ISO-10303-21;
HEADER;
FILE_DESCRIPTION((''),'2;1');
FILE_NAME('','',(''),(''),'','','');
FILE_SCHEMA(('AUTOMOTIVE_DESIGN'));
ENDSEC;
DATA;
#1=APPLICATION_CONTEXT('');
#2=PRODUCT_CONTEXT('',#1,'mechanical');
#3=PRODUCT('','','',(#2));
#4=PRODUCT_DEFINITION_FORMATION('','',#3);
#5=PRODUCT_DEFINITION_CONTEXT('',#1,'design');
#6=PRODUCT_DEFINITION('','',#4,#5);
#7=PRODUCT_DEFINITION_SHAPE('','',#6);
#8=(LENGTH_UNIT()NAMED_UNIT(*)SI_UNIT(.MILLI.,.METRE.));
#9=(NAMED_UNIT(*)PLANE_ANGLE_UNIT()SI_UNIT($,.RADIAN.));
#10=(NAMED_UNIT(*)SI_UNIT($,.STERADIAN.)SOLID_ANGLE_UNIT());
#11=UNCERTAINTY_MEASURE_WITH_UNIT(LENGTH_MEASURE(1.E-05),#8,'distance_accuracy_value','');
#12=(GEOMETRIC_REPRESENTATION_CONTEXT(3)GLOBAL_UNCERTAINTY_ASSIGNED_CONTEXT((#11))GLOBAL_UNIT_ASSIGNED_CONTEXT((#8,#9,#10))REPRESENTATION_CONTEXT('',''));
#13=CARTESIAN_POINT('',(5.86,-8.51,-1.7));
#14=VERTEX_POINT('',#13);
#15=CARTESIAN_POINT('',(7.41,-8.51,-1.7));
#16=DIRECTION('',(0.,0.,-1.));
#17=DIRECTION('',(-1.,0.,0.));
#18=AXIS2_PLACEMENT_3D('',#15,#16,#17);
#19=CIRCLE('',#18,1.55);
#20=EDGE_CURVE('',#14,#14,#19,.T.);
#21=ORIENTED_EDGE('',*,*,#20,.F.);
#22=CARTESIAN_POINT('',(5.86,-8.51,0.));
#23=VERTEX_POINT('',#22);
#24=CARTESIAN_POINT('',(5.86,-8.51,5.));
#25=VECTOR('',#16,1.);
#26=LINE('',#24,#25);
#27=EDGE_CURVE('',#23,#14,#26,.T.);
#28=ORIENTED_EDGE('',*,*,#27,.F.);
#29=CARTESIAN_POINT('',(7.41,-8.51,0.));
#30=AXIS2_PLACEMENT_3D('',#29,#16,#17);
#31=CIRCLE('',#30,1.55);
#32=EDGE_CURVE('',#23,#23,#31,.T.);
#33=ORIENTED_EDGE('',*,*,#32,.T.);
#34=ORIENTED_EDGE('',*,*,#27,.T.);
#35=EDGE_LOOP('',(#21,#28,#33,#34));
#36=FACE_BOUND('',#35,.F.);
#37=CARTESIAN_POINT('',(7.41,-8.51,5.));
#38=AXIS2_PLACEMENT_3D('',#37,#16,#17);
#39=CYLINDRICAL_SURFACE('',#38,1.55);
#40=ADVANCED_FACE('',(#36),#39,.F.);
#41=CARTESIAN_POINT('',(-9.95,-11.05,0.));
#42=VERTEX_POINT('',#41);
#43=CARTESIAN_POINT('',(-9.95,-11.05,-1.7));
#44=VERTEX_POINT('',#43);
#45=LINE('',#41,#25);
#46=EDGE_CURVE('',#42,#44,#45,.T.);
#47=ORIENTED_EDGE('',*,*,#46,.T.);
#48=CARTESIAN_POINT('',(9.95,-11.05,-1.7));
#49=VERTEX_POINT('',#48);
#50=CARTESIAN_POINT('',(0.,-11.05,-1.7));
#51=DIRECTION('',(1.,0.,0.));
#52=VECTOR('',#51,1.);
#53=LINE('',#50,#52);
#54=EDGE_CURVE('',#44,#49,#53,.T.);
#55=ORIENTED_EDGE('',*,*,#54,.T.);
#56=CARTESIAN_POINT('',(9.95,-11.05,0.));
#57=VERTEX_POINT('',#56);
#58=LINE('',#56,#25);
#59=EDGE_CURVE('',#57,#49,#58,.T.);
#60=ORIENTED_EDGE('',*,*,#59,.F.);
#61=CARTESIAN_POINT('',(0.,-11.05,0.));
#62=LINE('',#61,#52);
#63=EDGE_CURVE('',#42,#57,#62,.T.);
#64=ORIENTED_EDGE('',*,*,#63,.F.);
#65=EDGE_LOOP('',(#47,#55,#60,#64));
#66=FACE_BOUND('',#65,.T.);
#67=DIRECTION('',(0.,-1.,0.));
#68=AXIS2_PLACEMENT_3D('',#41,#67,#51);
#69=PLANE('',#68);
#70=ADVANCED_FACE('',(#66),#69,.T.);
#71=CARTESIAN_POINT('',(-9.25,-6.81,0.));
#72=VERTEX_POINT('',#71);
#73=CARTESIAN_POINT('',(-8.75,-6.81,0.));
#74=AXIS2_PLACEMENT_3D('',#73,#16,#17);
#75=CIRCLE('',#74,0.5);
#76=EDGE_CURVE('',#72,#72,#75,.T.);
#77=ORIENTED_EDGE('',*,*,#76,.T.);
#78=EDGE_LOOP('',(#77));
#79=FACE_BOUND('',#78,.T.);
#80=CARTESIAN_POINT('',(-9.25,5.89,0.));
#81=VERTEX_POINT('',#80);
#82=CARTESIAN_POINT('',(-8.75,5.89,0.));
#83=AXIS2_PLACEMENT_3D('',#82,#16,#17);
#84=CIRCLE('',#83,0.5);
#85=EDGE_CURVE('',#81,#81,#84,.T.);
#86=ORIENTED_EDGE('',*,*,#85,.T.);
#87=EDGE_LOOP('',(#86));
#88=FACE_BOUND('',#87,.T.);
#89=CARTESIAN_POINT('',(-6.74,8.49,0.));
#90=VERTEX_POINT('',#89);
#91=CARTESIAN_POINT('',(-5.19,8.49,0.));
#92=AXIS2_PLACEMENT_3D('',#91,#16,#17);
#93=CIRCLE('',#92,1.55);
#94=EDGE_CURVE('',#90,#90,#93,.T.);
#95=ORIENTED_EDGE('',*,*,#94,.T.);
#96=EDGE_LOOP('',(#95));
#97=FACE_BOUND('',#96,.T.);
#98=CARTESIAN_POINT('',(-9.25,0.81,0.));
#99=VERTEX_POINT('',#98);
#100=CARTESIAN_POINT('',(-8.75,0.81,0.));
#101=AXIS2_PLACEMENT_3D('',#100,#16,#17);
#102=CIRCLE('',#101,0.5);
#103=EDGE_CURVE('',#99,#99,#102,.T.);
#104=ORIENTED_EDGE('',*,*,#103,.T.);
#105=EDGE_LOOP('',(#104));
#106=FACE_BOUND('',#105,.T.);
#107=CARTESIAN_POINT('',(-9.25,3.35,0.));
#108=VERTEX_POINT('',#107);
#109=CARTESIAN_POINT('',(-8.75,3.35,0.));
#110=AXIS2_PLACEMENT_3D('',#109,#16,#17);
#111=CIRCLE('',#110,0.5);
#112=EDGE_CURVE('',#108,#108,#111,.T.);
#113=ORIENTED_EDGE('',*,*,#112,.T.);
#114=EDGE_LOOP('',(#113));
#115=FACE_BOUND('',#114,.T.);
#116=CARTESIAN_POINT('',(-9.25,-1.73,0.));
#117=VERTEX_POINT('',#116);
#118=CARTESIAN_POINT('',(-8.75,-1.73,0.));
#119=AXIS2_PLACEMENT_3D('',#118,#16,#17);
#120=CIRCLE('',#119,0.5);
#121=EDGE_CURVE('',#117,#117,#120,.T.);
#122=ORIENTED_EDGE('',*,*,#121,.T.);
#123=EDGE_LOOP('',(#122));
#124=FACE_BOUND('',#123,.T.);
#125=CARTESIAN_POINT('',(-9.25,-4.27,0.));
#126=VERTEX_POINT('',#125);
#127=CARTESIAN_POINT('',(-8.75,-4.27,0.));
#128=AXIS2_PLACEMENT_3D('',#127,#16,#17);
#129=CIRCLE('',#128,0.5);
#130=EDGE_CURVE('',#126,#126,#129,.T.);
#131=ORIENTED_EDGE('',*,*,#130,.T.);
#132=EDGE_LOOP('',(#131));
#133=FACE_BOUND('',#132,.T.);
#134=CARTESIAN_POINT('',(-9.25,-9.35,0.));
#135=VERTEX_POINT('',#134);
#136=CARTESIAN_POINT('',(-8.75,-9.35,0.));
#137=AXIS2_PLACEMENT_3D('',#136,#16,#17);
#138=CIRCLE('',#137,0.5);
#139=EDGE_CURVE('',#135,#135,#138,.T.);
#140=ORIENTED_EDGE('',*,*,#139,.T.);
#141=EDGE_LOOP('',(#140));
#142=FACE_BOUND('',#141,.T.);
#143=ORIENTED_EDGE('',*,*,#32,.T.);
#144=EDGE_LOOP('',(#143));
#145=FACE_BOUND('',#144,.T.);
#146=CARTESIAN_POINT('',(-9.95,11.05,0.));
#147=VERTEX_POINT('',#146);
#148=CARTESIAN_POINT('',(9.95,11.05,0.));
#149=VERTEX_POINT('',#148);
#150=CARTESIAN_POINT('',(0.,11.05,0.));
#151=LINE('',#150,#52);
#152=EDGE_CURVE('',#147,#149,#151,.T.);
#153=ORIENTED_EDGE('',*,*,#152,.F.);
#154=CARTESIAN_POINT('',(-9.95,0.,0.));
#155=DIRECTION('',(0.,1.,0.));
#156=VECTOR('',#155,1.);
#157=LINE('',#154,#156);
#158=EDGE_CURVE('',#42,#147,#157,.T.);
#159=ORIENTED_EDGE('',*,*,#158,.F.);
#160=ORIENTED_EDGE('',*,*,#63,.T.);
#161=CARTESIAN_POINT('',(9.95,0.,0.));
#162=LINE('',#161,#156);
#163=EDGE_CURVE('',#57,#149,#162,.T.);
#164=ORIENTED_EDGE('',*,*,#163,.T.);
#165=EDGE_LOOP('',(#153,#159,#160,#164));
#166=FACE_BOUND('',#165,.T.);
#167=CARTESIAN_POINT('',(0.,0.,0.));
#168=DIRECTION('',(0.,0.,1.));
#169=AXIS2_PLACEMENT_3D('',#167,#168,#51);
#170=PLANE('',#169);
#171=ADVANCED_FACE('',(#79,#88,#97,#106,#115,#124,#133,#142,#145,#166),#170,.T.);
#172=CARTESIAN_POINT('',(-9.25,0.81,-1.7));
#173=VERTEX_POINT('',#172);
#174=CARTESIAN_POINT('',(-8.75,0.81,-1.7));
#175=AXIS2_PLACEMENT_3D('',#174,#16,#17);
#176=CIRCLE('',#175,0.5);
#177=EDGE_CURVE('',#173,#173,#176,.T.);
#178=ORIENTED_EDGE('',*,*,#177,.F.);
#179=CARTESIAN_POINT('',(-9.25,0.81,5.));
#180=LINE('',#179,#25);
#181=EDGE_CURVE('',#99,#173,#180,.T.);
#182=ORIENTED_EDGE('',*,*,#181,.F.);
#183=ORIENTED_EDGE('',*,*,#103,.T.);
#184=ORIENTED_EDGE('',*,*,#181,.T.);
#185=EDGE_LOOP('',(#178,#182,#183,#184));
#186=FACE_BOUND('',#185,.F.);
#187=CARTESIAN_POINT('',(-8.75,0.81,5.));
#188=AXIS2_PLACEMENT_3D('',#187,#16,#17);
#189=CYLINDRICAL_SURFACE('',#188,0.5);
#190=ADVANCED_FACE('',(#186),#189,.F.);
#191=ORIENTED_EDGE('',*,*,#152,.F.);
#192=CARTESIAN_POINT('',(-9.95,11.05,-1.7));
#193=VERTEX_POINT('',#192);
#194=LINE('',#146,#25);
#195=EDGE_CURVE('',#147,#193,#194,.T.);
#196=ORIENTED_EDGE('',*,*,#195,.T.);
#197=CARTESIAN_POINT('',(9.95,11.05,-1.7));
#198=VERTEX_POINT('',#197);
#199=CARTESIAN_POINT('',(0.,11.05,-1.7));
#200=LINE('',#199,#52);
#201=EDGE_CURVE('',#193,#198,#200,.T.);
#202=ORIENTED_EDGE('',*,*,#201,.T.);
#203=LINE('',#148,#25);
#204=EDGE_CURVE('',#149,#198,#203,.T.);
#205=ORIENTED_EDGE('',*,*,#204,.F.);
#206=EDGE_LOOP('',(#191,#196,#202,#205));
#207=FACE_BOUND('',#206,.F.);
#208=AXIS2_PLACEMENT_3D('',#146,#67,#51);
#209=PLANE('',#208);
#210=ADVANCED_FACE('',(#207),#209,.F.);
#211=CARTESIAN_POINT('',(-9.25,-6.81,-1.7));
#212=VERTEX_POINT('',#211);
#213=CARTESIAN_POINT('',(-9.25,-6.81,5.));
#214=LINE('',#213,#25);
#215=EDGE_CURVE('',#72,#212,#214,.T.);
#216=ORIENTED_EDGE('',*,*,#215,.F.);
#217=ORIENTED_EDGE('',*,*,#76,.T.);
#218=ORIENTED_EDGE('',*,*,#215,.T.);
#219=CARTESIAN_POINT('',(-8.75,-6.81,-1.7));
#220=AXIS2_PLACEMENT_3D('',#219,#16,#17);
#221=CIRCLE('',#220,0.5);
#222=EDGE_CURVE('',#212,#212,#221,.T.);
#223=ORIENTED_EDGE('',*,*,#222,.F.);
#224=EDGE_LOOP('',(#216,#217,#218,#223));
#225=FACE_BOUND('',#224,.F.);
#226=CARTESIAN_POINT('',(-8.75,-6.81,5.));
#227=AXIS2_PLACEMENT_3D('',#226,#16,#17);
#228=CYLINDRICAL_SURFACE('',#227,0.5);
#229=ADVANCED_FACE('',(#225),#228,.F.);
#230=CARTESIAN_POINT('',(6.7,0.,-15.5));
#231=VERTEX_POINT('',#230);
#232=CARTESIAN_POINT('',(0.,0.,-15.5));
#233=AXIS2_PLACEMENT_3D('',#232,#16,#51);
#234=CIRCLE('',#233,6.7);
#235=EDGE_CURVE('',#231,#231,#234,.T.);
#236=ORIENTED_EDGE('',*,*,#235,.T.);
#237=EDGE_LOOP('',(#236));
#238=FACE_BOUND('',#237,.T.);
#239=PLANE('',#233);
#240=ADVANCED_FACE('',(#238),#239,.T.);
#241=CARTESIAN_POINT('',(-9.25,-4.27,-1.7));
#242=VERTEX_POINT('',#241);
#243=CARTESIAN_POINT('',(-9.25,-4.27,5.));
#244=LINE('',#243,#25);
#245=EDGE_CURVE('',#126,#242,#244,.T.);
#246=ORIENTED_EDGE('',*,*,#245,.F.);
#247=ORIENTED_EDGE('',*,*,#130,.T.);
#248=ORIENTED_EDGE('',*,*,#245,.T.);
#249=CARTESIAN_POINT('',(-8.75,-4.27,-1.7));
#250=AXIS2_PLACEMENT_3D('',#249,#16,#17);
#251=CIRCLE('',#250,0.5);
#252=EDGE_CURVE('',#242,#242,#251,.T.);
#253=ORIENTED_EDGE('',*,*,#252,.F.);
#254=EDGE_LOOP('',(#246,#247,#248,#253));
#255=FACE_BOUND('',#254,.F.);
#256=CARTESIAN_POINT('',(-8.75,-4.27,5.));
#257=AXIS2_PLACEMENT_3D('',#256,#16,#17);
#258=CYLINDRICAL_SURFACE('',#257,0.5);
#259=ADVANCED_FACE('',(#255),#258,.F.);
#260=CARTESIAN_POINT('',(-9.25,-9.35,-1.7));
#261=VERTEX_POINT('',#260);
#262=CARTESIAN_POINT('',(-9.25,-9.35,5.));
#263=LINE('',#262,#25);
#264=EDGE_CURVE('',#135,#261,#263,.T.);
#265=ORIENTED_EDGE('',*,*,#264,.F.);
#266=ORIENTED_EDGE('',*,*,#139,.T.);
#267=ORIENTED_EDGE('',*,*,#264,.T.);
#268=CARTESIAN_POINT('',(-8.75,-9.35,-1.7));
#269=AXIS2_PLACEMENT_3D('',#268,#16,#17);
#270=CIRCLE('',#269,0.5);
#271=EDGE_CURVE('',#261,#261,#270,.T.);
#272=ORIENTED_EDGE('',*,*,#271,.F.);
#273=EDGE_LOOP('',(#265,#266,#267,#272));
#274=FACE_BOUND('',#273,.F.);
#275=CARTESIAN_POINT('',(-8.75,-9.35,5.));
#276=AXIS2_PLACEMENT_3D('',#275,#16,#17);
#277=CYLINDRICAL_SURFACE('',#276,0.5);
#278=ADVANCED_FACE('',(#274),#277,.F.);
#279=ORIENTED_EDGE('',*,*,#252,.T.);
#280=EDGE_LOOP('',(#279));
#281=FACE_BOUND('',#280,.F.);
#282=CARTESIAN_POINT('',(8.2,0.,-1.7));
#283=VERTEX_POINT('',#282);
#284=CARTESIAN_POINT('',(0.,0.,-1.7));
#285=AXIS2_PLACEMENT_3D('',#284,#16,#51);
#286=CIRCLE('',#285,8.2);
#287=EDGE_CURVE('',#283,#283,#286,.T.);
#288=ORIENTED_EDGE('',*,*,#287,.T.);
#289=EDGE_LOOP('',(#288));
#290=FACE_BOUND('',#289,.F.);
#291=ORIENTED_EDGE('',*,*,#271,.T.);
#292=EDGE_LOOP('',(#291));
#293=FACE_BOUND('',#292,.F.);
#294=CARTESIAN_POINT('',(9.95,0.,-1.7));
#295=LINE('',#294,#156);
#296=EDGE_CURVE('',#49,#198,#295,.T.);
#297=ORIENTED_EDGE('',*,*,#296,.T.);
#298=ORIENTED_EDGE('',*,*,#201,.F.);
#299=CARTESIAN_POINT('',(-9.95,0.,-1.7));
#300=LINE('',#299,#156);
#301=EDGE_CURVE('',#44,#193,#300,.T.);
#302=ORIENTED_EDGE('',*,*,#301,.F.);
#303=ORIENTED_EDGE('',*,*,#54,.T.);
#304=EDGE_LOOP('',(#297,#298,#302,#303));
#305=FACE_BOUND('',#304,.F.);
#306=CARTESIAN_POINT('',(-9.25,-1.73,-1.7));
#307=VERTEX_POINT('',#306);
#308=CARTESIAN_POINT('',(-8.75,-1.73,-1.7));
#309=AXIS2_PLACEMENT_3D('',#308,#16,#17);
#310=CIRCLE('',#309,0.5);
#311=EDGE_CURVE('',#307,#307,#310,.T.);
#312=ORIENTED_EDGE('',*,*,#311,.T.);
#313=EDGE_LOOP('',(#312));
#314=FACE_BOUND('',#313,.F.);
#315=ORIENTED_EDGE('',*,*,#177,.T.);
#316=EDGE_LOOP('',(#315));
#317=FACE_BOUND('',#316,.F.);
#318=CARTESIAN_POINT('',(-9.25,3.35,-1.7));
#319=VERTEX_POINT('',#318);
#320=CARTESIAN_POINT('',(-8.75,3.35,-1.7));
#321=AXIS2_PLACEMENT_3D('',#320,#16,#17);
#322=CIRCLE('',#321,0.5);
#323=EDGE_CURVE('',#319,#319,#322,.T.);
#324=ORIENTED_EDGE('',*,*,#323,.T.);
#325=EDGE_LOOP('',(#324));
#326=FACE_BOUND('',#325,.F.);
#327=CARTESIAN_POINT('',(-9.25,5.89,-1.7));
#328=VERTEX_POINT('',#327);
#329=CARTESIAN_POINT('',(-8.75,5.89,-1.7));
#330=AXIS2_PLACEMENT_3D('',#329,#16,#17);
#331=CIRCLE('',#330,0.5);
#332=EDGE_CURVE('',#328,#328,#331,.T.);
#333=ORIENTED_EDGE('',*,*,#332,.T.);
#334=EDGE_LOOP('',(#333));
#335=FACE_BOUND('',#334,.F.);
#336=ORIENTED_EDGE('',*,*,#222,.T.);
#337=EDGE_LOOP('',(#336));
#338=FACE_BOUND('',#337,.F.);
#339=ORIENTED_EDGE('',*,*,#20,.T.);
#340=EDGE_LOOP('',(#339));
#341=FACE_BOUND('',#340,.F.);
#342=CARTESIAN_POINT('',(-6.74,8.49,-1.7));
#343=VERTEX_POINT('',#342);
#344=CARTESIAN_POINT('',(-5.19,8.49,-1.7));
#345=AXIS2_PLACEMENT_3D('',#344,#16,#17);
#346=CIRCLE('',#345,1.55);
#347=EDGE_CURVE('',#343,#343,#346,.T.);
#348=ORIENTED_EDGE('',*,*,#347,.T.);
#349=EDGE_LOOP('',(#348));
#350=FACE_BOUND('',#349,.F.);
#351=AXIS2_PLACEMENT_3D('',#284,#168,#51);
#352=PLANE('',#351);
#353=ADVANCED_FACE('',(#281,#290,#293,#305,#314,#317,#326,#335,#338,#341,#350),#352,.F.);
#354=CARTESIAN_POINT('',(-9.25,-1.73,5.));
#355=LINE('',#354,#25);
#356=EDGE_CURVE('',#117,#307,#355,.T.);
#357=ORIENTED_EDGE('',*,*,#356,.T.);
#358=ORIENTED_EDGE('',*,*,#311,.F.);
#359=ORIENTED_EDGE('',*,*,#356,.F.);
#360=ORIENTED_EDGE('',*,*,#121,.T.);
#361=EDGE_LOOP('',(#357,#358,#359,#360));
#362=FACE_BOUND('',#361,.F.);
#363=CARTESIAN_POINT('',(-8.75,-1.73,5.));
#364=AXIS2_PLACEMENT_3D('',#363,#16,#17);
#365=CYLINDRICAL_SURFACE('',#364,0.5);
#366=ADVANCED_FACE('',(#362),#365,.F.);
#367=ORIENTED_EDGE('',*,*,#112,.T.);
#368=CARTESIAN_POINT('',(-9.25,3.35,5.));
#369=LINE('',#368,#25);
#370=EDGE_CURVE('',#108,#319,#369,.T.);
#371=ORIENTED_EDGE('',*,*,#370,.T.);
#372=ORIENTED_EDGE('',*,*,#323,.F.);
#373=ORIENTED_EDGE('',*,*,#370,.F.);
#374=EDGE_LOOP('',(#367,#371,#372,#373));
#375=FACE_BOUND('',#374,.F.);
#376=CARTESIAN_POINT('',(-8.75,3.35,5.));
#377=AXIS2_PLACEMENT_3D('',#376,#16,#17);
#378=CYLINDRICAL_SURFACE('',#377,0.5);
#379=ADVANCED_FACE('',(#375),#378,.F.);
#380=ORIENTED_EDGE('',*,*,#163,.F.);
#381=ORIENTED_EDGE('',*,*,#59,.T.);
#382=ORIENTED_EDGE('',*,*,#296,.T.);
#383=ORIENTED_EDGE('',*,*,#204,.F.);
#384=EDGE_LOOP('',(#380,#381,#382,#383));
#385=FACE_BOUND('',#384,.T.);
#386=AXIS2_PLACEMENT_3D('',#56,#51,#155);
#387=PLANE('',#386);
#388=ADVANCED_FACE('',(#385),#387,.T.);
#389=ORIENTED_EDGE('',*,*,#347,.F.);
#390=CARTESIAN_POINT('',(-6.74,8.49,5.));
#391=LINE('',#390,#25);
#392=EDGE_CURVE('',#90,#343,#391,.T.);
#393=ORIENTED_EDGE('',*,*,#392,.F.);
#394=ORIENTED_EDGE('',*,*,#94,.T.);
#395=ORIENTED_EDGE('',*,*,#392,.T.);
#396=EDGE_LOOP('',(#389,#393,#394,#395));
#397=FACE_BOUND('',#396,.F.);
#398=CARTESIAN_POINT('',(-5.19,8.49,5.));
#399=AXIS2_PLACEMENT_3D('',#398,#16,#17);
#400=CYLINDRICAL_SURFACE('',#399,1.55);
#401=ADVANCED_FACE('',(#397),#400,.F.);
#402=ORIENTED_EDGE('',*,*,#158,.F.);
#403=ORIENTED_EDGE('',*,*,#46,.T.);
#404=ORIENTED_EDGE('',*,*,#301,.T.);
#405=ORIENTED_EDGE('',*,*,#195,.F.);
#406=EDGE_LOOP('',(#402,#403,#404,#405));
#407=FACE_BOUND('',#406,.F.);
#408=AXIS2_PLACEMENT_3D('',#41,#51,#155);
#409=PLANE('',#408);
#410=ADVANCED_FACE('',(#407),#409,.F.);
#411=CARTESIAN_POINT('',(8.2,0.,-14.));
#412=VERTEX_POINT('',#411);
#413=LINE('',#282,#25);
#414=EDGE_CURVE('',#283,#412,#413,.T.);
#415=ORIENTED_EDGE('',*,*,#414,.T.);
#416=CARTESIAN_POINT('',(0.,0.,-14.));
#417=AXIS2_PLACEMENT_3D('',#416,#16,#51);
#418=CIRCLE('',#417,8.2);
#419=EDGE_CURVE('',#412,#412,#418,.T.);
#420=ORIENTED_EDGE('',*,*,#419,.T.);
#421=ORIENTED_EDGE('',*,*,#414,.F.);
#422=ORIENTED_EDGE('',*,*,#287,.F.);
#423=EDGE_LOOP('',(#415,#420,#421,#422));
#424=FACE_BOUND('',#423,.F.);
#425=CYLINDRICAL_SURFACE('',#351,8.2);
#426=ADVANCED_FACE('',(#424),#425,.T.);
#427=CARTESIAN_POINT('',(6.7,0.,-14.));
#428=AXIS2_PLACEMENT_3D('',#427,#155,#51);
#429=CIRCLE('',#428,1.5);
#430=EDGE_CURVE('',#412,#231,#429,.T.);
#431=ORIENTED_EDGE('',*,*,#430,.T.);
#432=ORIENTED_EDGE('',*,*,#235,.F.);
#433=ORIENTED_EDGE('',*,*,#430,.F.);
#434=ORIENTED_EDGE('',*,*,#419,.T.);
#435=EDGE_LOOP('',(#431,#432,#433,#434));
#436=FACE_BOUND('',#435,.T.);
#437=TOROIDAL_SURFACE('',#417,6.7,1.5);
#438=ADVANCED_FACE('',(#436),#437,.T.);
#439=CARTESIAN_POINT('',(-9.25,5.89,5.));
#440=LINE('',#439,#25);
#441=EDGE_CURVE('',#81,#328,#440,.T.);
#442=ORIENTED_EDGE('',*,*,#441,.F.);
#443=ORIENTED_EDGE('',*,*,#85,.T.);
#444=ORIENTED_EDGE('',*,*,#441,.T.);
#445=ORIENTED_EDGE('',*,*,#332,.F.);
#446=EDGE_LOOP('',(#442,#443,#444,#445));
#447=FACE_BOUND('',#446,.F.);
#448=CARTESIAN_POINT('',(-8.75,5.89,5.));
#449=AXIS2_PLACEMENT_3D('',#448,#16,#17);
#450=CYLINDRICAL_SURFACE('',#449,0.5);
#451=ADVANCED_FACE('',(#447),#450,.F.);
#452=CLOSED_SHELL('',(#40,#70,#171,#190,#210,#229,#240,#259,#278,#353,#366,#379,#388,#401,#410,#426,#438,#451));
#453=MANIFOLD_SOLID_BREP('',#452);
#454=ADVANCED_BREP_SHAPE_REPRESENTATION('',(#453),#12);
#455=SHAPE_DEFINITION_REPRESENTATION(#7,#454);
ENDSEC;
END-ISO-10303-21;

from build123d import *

# Parameters (mm, degrees)
F0_W     = 19.9
F0_H     = 22.1
F1_DEPTH = 1.7
F2_D     = 3.1
F2_DEPTH = 5
F3_D     = 1
F3_DEPTH = 5
F4_R     = 8.2
F5_DEPTH = 13.8
F6_R     = 1.5


with BuildPart() as f1:
    # F0 (on Top) → F1 (new body)
    with BuildSketch(Plane.XY):
        Rectangle(F0_W, F0_H)
    extrude(amount=-F1_DEPTH)

    # F2
    with Locations(Plane.XY):
        with Locations((-5.19, 8.49), (7.41, -8.51)):
            Hole(F2_D / 2, depth=F2_DEPTH)

    # F3
    with Locations(Plane.XY):
        with Locations((-8.75, 5.89), (-8.75, 3.35), (-8.75, 0.81), (-8.75, -1.73), (-8.75, -4.27), (-8.75, -6.81), (-8.75, -9.35)):
            Hole(F3_D / 2, depth=F3_DEPTH)

    # F4 (on face) → F5 (join)
    with BuildSketch(Plane(origin=(0, 0, -1.7), x_dir=(1, 0, 0), z_dir=(0, 0, -1))):
        Circle(F4_R)
    extrude(amount=F5_DEPTH)

    # F6
    f6_edges = [f1.edges().sort_by_distance(p)[0] for p in [
        (-8.2, 0, -15.5),
    ]]
    fillet(f6_edges, radius=F6_R)


solid = f1.part
